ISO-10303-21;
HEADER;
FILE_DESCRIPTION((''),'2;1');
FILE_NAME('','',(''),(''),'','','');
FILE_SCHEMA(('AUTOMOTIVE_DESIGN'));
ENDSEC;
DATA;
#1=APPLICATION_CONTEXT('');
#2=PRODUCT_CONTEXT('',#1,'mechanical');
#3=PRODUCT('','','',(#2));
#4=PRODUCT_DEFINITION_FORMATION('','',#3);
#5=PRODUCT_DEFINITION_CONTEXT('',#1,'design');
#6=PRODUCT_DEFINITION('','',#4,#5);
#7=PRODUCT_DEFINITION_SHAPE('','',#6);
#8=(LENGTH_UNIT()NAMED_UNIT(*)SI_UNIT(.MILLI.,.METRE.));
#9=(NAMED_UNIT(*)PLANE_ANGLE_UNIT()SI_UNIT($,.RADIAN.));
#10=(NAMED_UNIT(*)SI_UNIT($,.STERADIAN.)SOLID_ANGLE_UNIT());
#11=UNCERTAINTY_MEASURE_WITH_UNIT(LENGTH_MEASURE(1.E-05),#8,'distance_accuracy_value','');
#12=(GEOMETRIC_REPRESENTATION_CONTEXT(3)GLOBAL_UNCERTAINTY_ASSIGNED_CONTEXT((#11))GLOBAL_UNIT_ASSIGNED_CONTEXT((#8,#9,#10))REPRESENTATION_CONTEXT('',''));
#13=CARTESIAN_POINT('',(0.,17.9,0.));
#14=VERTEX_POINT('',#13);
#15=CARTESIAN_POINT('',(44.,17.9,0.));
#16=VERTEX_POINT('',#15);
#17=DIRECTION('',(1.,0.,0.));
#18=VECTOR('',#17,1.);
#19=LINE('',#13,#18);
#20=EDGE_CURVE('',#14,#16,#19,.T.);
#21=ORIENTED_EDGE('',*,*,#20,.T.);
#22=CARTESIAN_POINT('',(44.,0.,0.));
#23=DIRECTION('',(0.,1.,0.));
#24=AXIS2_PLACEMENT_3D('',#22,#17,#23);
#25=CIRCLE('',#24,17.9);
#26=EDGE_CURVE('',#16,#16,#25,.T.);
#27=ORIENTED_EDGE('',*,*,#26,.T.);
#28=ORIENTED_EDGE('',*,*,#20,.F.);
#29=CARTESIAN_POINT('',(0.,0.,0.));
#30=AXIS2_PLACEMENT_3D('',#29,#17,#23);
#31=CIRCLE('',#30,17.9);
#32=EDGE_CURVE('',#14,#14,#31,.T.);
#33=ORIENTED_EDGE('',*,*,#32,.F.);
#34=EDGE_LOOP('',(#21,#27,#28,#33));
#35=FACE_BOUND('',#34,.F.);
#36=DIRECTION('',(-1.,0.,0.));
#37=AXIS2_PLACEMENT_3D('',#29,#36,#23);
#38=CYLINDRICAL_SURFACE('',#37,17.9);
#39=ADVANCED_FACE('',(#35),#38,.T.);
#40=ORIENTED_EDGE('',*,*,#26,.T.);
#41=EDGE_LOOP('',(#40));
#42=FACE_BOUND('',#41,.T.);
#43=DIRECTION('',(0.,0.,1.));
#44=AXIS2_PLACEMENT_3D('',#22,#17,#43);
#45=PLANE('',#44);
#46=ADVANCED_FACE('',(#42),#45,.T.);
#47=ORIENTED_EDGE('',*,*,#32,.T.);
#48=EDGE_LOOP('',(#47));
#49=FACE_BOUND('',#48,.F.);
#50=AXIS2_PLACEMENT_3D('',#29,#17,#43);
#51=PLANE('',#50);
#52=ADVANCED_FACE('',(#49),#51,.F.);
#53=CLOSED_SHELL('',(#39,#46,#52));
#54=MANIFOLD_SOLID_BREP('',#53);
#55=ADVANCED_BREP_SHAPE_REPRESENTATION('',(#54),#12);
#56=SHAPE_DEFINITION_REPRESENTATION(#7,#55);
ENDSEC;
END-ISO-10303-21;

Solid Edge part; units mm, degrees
sketch "Sketch1" plane through (0, 0, 0) normal (1, 0, 0) x (0, 1, 0)
  circle A0 centre (0, 0) radius 17.9
extrude "Protrusion1" add sketch "Sketch1" along normal blind 44
